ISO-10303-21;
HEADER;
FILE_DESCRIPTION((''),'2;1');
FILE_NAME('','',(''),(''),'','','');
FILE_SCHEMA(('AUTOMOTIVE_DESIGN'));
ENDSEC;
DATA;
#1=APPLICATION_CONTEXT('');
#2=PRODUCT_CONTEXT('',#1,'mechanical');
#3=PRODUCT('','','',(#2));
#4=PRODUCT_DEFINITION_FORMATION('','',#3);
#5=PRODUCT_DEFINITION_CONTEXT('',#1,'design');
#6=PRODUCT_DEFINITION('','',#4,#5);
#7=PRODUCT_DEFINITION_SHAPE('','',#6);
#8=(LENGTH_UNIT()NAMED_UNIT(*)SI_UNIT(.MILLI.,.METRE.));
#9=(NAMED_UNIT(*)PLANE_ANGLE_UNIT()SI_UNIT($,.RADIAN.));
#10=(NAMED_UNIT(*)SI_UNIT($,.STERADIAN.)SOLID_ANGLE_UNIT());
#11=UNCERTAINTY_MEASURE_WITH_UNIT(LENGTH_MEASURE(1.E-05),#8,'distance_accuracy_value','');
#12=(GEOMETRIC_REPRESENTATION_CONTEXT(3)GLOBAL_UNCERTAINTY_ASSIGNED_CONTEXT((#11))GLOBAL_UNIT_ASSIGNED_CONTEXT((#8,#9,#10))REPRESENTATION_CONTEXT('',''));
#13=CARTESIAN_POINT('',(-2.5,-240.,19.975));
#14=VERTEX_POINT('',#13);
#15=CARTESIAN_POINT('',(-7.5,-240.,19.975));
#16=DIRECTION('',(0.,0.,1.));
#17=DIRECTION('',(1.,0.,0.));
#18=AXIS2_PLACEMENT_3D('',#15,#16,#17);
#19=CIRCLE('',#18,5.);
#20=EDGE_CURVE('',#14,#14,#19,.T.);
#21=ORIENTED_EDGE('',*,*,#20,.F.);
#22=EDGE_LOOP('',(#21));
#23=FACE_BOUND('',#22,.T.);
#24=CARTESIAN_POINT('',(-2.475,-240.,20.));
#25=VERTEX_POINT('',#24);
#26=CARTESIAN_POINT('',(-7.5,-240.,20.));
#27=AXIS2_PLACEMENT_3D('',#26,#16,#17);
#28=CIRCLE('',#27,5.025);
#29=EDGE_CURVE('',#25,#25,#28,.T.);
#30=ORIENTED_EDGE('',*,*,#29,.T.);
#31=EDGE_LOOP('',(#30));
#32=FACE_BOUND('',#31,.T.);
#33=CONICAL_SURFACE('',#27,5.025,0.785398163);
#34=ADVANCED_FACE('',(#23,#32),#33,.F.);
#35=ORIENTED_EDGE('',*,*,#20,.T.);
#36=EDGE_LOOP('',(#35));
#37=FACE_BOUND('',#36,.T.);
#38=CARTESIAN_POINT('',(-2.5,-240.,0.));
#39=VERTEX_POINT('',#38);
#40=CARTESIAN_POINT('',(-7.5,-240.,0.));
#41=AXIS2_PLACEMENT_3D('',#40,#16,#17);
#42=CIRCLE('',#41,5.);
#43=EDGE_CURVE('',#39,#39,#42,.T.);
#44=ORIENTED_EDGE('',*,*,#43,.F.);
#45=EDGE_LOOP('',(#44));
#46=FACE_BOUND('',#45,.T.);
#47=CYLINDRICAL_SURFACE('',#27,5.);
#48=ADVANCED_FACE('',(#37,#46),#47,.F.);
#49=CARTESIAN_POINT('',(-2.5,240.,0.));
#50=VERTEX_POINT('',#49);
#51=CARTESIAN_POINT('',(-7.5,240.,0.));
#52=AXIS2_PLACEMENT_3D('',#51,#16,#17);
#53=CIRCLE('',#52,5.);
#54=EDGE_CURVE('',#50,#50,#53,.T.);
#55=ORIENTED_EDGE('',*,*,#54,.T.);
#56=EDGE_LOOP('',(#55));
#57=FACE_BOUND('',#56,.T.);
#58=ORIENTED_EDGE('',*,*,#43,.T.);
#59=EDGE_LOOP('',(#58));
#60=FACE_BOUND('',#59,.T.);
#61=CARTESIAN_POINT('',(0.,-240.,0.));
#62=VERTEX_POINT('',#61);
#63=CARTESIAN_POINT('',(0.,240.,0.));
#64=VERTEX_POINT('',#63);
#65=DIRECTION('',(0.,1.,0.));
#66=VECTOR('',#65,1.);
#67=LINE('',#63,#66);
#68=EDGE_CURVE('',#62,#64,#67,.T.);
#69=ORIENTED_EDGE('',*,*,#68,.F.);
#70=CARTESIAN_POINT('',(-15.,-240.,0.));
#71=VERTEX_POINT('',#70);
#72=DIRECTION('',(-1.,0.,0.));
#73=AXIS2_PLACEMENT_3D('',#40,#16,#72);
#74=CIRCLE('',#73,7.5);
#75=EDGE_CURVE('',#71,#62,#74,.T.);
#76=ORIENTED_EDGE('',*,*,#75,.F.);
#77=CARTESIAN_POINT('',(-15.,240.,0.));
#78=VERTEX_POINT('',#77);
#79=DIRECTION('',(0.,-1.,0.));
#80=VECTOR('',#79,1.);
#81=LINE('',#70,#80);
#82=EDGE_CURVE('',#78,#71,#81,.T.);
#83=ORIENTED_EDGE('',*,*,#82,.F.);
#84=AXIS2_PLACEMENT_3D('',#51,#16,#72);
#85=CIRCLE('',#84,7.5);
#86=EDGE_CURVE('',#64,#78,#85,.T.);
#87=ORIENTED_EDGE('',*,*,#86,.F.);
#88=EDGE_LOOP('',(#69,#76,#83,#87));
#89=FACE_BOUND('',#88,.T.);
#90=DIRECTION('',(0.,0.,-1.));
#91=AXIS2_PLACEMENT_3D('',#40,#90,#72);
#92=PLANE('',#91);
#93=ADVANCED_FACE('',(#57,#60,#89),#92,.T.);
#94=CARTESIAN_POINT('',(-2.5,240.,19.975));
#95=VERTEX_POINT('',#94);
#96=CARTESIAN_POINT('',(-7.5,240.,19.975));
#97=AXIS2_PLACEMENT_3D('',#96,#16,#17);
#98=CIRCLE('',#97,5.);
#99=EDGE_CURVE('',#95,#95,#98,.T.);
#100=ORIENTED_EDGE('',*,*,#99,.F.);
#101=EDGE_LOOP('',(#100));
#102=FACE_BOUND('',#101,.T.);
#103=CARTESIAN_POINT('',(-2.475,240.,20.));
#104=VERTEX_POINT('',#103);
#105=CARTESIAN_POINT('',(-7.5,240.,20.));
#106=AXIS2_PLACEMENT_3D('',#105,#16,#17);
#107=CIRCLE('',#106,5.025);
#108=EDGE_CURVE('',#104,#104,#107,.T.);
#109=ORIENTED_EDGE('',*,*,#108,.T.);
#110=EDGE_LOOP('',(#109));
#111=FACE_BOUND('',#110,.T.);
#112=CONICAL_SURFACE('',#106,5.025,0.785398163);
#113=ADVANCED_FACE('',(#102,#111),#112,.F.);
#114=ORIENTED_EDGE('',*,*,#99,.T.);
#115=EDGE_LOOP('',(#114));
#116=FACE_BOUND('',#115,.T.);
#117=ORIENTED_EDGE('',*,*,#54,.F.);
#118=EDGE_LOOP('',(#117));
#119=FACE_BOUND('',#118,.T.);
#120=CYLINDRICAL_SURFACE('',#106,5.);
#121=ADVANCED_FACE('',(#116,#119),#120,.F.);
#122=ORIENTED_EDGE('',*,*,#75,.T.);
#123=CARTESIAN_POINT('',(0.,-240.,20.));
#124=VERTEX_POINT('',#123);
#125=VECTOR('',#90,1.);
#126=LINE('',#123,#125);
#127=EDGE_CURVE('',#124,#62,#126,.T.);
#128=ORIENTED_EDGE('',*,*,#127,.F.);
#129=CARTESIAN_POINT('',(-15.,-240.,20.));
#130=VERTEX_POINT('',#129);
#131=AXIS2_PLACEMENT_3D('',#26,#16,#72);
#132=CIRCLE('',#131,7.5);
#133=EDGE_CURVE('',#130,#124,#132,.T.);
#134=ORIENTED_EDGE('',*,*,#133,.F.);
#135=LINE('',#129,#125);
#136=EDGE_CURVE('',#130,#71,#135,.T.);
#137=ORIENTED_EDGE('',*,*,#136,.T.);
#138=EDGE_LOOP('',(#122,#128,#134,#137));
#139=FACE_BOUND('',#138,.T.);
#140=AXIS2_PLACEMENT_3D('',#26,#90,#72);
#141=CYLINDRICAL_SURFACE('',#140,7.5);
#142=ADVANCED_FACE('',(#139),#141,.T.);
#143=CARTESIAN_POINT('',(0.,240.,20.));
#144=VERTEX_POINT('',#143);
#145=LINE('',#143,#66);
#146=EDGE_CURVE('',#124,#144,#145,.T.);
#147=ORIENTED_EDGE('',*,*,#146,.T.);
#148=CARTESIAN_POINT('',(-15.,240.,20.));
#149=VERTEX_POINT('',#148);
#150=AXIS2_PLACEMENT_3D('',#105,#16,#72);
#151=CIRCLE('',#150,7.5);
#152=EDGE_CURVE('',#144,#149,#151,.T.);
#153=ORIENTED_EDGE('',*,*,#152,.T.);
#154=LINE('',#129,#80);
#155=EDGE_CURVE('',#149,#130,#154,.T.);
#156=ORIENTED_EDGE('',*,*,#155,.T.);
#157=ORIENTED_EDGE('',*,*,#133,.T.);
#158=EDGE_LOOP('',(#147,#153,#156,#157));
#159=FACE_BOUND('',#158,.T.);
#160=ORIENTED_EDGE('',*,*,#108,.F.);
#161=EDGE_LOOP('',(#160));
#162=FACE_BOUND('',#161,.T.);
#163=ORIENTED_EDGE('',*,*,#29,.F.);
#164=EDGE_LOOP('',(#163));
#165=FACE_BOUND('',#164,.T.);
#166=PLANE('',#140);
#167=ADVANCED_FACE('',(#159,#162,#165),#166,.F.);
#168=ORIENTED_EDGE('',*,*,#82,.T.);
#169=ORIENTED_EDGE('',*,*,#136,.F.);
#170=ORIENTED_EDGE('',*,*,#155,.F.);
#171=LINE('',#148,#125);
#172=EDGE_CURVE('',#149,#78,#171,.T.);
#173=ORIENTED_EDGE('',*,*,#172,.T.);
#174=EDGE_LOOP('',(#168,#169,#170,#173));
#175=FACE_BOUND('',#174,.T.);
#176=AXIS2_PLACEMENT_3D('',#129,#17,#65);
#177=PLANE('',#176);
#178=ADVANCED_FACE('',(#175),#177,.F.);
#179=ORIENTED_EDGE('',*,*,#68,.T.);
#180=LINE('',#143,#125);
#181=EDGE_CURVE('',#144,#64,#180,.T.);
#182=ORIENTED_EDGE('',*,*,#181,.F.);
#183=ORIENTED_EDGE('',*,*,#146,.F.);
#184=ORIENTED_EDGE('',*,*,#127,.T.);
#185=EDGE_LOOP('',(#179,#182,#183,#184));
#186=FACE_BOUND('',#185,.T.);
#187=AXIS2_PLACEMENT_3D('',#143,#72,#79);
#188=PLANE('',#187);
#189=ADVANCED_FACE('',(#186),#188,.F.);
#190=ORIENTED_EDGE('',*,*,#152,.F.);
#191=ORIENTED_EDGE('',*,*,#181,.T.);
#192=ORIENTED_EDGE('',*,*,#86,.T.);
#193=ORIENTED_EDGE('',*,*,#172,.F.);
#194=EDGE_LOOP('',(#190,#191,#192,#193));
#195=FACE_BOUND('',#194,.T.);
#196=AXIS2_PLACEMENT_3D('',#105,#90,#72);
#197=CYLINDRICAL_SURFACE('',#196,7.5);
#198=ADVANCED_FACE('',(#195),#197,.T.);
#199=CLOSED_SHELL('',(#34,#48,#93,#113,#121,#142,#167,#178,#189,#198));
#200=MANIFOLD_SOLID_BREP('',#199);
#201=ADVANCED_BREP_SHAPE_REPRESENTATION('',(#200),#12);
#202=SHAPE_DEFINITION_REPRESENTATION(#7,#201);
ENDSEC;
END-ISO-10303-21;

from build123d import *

# Parameters (mm, degrees)
BOSS_EXTRUDE1_DEPTH              = 20
F_10_0MM_DOWEL_HOLE1_D           = 10
F_10_0MM_DOWEL_HOLE1_CSINK_D     = 10.05
F_10_0MM_DOWEL_HOLE1_CSINK_ANGLE = 90


with BuildPart() as part:
    # Sketch2 → Boss-Extrude1 (new body)
    with BuildSketch(Plane.XY):
        with BuildLine():
            Line((-15, -240), (-15, 240))
            ThreePointArc((-15, 240), (-7.5, 247.5), (0, 240))
            Line((0, 240), (0, -240))
            ThreePointArc((0, -240), (-7.5, -247.5), (-15, -240))
        make_face()
    extrude(amount=BOSS_EXTRUDE1_DEPTH)

    # Ø10.0mm Dowel Hole1 (through all)
    with Locations(Plane.XY.offset(20)):
        with Locations((-7.5, 240), (-7.5, -240)):
            CounterSinkHole(F_10_0MM_DOWEL_HOLE1_D / 2, F_10_0MM_DOWEL_HOLE1_CSINK_D / 2, counter_sink_angle=F_10_0MM_DOWEL_HOLE1_CSINK_ANGLE)


solid = part.part
